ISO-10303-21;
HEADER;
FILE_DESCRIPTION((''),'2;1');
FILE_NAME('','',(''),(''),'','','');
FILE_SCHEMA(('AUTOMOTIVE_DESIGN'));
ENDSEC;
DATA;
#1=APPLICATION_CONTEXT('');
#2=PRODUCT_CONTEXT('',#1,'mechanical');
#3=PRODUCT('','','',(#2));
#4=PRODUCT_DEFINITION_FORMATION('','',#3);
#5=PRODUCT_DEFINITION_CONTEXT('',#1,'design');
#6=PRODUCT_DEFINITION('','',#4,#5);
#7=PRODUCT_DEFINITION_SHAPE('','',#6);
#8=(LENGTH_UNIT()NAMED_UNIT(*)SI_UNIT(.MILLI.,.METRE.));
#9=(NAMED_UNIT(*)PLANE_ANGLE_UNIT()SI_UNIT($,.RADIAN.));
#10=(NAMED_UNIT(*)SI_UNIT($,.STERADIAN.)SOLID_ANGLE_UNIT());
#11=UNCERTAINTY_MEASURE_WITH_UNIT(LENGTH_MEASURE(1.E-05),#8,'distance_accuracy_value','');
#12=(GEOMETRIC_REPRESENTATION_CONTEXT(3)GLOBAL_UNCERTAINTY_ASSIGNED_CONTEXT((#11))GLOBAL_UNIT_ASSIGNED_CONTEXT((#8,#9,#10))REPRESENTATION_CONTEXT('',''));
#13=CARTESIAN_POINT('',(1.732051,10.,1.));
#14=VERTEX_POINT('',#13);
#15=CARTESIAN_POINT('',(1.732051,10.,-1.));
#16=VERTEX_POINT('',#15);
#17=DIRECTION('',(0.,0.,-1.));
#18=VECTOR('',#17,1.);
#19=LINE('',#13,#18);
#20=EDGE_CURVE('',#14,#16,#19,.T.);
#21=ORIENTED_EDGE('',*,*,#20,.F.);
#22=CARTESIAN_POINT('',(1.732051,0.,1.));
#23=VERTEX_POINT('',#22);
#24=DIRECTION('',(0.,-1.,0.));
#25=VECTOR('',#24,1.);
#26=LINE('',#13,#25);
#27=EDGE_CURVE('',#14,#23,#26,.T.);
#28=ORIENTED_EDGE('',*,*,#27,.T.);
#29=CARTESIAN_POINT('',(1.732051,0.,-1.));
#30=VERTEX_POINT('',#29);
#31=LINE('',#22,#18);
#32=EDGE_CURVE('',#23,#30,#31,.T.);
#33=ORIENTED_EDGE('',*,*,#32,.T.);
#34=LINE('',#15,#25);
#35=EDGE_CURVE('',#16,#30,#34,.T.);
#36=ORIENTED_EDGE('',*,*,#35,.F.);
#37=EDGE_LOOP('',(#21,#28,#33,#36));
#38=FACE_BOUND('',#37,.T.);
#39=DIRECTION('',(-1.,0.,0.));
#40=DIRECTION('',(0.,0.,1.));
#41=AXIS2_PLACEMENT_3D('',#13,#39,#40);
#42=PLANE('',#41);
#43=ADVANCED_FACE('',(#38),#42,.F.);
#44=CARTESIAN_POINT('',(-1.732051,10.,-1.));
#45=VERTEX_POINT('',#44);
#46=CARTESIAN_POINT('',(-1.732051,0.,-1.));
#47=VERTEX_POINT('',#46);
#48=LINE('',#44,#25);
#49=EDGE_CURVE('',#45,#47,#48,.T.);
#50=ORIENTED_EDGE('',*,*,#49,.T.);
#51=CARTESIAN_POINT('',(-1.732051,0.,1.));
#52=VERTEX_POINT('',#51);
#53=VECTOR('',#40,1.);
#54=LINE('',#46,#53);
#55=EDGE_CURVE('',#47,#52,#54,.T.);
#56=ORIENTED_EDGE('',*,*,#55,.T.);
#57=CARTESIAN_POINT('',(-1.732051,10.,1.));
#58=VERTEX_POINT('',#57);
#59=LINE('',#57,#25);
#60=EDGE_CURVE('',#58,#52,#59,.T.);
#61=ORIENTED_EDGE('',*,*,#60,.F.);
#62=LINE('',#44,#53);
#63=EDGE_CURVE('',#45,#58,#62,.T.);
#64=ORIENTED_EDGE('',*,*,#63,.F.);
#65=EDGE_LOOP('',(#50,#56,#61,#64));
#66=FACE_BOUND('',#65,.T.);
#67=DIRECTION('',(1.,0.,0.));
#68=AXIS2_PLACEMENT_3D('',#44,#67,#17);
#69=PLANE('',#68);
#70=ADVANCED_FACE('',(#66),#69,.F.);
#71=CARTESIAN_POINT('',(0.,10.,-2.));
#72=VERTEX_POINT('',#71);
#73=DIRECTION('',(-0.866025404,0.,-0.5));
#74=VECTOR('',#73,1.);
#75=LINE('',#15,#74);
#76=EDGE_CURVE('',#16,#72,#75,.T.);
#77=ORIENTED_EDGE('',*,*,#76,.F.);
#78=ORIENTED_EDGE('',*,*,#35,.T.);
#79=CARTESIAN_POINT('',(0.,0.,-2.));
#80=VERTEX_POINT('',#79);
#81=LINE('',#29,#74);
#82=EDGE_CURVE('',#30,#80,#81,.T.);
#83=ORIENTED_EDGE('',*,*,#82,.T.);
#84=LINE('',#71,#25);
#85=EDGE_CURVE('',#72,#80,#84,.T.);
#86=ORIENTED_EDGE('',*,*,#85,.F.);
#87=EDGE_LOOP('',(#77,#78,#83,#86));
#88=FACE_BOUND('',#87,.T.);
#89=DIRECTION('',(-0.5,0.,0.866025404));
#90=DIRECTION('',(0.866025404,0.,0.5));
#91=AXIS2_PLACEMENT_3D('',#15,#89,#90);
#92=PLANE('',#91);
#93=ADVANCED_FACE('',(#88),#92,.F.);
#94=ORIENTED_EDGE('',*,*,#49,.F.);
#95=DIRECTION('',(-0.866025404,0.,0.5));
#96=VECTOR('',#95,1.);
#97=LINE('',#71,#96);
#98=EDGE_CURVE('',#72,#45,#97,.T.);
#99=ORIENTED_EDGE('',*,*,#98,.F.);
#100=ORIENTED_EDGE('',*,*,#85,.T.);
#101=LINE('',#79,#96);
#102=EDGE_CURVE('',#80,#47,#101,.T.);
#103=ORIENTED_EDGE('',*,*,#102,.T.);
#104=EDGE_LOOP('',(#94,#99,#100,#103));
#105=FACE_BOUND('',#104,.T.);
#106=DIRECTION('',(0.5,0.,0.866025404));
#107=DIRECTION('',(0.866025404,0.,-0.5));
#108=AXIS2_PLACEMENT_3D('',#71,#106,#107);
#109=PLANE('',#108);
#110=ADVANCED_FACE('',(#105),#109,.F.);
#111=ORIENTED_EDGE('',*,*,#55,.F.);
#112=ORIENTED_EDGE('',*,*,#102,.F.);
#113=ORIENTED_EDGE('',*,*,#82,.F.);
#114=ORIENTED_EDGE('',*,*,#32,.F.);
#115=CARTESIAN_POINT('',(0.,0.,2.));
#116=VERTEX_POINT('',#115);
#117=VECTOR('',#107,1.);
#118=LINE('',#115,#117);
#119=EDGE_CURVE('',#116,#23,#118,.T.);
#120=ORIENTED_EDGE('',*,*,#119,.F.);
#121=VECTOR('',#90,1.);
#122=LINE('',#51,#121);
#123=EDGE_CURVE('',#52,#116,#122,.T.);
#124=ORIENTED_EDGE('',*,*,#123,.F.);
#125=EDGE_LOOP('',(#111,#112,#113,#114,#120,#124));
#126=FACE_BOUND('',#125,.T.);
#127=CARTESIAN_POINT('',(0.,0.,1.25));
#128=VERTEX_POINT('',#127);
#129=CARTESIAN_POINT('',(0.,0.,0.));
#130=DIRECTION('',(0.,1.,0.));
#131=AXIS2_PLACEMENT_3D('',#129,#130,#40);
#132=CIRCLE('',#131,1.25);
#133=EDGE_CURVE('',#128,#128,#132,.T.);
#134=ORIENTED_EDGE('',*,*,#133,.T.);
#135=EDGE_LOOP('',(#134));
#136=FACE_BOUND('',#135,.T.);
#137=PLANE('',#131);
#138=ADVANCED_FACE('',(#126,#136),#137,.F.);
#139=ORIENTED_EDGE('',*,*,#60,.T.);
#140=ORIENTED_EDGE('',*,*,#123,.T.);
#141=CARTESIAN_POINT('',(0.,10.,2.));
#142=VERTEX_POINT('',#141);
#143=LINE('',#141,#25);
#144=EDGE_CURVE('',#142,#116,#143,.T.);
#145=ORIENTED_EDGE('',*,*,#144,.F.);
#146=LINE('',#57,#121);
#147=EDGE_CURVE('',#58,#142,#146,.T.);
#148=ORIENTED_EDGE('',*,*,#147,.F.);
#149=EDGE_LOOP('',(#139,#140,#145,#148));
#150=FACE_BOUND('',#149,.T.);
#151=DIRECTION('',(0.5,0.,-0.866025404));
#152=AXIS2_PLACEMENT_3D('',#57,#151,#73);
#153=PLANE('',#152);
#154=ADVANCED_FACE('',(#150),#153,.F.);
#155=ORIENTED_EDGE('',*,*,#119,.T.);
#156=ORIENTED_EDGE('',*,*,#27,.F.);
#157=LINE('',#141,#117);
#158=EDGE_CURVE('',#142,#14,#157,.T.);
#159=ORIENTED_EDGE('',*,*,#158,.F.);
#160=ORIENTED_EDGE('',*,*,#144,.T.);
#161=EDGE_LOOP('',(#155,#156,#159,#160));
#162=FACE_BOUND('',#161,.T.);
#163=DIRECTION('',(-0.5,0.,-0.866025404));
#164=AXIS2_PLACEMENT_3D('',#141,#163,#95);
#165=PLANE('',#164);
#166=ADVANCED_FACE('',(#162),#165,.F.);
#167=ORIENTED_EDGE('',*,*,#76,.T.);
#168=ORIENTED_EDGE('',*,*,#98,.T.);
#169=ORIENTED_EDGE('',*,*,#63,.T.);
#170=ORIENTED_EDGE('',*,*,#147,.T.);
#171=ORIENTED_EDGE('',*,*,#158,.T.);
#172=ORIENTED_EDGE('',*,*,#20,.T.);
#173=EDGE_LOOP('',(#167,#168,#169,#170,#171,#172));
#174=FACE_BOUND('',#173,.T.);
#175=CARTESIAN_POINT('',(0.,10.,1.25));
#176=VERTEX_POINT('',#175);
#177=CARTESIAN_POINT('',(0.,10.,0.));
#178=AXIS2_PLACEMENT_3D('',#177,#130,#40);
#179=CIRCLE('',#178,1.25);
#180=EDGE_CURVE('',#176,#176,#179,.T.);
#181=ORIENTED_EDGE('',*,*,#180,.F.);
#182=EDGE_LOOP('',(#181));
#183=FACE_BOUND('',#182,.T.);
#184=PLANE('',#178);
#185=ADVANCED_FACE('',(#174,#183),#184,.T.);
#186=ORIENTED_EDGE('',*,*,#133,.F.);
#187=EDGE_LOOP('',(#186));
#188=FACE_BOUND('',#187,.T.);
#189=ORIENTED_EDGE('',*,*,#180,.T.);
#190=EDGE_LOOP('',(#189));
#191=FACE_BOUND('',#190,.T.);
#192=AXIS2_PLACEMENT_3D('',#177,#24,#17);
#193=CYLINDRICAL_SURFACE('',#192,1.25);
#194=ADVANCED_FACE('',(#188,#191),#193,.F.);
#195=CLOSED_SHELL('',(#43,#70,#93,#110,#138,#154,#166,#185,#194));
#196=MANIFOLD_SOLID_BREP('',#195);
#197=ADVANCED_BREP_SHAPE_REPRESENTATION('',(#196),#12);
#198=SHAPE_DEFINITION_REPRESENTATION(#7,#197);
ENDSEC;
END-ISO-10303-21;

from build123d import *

# Parameters (mm, degrees)
SKETCH_1_R      = 1.25
EXTRUDE_1_DEPTH = 10


with BuildPart() as part:
    # 草图1 → 凸台-拉伸1 (new body)
    with BuildSketch(Plane(origin=(0, 0, 0), x_dir=(1, 0, 0), z_dir=(0, 1, 0))):
        Polygon((0, 2), (-1.732050808, 1), (-1.732050808, -1), (0, -2), (1.732050808, -1), (1.732050808, 1), align=None)
        with Locations(Location((0, 0, 0), (0, 0, 270))):
            Circle(SKETCH_1_R, mode=Mode.SUBTRACT)
    extrude(amount=EXTRUDE_1_DEPTH)


solid = part.part
